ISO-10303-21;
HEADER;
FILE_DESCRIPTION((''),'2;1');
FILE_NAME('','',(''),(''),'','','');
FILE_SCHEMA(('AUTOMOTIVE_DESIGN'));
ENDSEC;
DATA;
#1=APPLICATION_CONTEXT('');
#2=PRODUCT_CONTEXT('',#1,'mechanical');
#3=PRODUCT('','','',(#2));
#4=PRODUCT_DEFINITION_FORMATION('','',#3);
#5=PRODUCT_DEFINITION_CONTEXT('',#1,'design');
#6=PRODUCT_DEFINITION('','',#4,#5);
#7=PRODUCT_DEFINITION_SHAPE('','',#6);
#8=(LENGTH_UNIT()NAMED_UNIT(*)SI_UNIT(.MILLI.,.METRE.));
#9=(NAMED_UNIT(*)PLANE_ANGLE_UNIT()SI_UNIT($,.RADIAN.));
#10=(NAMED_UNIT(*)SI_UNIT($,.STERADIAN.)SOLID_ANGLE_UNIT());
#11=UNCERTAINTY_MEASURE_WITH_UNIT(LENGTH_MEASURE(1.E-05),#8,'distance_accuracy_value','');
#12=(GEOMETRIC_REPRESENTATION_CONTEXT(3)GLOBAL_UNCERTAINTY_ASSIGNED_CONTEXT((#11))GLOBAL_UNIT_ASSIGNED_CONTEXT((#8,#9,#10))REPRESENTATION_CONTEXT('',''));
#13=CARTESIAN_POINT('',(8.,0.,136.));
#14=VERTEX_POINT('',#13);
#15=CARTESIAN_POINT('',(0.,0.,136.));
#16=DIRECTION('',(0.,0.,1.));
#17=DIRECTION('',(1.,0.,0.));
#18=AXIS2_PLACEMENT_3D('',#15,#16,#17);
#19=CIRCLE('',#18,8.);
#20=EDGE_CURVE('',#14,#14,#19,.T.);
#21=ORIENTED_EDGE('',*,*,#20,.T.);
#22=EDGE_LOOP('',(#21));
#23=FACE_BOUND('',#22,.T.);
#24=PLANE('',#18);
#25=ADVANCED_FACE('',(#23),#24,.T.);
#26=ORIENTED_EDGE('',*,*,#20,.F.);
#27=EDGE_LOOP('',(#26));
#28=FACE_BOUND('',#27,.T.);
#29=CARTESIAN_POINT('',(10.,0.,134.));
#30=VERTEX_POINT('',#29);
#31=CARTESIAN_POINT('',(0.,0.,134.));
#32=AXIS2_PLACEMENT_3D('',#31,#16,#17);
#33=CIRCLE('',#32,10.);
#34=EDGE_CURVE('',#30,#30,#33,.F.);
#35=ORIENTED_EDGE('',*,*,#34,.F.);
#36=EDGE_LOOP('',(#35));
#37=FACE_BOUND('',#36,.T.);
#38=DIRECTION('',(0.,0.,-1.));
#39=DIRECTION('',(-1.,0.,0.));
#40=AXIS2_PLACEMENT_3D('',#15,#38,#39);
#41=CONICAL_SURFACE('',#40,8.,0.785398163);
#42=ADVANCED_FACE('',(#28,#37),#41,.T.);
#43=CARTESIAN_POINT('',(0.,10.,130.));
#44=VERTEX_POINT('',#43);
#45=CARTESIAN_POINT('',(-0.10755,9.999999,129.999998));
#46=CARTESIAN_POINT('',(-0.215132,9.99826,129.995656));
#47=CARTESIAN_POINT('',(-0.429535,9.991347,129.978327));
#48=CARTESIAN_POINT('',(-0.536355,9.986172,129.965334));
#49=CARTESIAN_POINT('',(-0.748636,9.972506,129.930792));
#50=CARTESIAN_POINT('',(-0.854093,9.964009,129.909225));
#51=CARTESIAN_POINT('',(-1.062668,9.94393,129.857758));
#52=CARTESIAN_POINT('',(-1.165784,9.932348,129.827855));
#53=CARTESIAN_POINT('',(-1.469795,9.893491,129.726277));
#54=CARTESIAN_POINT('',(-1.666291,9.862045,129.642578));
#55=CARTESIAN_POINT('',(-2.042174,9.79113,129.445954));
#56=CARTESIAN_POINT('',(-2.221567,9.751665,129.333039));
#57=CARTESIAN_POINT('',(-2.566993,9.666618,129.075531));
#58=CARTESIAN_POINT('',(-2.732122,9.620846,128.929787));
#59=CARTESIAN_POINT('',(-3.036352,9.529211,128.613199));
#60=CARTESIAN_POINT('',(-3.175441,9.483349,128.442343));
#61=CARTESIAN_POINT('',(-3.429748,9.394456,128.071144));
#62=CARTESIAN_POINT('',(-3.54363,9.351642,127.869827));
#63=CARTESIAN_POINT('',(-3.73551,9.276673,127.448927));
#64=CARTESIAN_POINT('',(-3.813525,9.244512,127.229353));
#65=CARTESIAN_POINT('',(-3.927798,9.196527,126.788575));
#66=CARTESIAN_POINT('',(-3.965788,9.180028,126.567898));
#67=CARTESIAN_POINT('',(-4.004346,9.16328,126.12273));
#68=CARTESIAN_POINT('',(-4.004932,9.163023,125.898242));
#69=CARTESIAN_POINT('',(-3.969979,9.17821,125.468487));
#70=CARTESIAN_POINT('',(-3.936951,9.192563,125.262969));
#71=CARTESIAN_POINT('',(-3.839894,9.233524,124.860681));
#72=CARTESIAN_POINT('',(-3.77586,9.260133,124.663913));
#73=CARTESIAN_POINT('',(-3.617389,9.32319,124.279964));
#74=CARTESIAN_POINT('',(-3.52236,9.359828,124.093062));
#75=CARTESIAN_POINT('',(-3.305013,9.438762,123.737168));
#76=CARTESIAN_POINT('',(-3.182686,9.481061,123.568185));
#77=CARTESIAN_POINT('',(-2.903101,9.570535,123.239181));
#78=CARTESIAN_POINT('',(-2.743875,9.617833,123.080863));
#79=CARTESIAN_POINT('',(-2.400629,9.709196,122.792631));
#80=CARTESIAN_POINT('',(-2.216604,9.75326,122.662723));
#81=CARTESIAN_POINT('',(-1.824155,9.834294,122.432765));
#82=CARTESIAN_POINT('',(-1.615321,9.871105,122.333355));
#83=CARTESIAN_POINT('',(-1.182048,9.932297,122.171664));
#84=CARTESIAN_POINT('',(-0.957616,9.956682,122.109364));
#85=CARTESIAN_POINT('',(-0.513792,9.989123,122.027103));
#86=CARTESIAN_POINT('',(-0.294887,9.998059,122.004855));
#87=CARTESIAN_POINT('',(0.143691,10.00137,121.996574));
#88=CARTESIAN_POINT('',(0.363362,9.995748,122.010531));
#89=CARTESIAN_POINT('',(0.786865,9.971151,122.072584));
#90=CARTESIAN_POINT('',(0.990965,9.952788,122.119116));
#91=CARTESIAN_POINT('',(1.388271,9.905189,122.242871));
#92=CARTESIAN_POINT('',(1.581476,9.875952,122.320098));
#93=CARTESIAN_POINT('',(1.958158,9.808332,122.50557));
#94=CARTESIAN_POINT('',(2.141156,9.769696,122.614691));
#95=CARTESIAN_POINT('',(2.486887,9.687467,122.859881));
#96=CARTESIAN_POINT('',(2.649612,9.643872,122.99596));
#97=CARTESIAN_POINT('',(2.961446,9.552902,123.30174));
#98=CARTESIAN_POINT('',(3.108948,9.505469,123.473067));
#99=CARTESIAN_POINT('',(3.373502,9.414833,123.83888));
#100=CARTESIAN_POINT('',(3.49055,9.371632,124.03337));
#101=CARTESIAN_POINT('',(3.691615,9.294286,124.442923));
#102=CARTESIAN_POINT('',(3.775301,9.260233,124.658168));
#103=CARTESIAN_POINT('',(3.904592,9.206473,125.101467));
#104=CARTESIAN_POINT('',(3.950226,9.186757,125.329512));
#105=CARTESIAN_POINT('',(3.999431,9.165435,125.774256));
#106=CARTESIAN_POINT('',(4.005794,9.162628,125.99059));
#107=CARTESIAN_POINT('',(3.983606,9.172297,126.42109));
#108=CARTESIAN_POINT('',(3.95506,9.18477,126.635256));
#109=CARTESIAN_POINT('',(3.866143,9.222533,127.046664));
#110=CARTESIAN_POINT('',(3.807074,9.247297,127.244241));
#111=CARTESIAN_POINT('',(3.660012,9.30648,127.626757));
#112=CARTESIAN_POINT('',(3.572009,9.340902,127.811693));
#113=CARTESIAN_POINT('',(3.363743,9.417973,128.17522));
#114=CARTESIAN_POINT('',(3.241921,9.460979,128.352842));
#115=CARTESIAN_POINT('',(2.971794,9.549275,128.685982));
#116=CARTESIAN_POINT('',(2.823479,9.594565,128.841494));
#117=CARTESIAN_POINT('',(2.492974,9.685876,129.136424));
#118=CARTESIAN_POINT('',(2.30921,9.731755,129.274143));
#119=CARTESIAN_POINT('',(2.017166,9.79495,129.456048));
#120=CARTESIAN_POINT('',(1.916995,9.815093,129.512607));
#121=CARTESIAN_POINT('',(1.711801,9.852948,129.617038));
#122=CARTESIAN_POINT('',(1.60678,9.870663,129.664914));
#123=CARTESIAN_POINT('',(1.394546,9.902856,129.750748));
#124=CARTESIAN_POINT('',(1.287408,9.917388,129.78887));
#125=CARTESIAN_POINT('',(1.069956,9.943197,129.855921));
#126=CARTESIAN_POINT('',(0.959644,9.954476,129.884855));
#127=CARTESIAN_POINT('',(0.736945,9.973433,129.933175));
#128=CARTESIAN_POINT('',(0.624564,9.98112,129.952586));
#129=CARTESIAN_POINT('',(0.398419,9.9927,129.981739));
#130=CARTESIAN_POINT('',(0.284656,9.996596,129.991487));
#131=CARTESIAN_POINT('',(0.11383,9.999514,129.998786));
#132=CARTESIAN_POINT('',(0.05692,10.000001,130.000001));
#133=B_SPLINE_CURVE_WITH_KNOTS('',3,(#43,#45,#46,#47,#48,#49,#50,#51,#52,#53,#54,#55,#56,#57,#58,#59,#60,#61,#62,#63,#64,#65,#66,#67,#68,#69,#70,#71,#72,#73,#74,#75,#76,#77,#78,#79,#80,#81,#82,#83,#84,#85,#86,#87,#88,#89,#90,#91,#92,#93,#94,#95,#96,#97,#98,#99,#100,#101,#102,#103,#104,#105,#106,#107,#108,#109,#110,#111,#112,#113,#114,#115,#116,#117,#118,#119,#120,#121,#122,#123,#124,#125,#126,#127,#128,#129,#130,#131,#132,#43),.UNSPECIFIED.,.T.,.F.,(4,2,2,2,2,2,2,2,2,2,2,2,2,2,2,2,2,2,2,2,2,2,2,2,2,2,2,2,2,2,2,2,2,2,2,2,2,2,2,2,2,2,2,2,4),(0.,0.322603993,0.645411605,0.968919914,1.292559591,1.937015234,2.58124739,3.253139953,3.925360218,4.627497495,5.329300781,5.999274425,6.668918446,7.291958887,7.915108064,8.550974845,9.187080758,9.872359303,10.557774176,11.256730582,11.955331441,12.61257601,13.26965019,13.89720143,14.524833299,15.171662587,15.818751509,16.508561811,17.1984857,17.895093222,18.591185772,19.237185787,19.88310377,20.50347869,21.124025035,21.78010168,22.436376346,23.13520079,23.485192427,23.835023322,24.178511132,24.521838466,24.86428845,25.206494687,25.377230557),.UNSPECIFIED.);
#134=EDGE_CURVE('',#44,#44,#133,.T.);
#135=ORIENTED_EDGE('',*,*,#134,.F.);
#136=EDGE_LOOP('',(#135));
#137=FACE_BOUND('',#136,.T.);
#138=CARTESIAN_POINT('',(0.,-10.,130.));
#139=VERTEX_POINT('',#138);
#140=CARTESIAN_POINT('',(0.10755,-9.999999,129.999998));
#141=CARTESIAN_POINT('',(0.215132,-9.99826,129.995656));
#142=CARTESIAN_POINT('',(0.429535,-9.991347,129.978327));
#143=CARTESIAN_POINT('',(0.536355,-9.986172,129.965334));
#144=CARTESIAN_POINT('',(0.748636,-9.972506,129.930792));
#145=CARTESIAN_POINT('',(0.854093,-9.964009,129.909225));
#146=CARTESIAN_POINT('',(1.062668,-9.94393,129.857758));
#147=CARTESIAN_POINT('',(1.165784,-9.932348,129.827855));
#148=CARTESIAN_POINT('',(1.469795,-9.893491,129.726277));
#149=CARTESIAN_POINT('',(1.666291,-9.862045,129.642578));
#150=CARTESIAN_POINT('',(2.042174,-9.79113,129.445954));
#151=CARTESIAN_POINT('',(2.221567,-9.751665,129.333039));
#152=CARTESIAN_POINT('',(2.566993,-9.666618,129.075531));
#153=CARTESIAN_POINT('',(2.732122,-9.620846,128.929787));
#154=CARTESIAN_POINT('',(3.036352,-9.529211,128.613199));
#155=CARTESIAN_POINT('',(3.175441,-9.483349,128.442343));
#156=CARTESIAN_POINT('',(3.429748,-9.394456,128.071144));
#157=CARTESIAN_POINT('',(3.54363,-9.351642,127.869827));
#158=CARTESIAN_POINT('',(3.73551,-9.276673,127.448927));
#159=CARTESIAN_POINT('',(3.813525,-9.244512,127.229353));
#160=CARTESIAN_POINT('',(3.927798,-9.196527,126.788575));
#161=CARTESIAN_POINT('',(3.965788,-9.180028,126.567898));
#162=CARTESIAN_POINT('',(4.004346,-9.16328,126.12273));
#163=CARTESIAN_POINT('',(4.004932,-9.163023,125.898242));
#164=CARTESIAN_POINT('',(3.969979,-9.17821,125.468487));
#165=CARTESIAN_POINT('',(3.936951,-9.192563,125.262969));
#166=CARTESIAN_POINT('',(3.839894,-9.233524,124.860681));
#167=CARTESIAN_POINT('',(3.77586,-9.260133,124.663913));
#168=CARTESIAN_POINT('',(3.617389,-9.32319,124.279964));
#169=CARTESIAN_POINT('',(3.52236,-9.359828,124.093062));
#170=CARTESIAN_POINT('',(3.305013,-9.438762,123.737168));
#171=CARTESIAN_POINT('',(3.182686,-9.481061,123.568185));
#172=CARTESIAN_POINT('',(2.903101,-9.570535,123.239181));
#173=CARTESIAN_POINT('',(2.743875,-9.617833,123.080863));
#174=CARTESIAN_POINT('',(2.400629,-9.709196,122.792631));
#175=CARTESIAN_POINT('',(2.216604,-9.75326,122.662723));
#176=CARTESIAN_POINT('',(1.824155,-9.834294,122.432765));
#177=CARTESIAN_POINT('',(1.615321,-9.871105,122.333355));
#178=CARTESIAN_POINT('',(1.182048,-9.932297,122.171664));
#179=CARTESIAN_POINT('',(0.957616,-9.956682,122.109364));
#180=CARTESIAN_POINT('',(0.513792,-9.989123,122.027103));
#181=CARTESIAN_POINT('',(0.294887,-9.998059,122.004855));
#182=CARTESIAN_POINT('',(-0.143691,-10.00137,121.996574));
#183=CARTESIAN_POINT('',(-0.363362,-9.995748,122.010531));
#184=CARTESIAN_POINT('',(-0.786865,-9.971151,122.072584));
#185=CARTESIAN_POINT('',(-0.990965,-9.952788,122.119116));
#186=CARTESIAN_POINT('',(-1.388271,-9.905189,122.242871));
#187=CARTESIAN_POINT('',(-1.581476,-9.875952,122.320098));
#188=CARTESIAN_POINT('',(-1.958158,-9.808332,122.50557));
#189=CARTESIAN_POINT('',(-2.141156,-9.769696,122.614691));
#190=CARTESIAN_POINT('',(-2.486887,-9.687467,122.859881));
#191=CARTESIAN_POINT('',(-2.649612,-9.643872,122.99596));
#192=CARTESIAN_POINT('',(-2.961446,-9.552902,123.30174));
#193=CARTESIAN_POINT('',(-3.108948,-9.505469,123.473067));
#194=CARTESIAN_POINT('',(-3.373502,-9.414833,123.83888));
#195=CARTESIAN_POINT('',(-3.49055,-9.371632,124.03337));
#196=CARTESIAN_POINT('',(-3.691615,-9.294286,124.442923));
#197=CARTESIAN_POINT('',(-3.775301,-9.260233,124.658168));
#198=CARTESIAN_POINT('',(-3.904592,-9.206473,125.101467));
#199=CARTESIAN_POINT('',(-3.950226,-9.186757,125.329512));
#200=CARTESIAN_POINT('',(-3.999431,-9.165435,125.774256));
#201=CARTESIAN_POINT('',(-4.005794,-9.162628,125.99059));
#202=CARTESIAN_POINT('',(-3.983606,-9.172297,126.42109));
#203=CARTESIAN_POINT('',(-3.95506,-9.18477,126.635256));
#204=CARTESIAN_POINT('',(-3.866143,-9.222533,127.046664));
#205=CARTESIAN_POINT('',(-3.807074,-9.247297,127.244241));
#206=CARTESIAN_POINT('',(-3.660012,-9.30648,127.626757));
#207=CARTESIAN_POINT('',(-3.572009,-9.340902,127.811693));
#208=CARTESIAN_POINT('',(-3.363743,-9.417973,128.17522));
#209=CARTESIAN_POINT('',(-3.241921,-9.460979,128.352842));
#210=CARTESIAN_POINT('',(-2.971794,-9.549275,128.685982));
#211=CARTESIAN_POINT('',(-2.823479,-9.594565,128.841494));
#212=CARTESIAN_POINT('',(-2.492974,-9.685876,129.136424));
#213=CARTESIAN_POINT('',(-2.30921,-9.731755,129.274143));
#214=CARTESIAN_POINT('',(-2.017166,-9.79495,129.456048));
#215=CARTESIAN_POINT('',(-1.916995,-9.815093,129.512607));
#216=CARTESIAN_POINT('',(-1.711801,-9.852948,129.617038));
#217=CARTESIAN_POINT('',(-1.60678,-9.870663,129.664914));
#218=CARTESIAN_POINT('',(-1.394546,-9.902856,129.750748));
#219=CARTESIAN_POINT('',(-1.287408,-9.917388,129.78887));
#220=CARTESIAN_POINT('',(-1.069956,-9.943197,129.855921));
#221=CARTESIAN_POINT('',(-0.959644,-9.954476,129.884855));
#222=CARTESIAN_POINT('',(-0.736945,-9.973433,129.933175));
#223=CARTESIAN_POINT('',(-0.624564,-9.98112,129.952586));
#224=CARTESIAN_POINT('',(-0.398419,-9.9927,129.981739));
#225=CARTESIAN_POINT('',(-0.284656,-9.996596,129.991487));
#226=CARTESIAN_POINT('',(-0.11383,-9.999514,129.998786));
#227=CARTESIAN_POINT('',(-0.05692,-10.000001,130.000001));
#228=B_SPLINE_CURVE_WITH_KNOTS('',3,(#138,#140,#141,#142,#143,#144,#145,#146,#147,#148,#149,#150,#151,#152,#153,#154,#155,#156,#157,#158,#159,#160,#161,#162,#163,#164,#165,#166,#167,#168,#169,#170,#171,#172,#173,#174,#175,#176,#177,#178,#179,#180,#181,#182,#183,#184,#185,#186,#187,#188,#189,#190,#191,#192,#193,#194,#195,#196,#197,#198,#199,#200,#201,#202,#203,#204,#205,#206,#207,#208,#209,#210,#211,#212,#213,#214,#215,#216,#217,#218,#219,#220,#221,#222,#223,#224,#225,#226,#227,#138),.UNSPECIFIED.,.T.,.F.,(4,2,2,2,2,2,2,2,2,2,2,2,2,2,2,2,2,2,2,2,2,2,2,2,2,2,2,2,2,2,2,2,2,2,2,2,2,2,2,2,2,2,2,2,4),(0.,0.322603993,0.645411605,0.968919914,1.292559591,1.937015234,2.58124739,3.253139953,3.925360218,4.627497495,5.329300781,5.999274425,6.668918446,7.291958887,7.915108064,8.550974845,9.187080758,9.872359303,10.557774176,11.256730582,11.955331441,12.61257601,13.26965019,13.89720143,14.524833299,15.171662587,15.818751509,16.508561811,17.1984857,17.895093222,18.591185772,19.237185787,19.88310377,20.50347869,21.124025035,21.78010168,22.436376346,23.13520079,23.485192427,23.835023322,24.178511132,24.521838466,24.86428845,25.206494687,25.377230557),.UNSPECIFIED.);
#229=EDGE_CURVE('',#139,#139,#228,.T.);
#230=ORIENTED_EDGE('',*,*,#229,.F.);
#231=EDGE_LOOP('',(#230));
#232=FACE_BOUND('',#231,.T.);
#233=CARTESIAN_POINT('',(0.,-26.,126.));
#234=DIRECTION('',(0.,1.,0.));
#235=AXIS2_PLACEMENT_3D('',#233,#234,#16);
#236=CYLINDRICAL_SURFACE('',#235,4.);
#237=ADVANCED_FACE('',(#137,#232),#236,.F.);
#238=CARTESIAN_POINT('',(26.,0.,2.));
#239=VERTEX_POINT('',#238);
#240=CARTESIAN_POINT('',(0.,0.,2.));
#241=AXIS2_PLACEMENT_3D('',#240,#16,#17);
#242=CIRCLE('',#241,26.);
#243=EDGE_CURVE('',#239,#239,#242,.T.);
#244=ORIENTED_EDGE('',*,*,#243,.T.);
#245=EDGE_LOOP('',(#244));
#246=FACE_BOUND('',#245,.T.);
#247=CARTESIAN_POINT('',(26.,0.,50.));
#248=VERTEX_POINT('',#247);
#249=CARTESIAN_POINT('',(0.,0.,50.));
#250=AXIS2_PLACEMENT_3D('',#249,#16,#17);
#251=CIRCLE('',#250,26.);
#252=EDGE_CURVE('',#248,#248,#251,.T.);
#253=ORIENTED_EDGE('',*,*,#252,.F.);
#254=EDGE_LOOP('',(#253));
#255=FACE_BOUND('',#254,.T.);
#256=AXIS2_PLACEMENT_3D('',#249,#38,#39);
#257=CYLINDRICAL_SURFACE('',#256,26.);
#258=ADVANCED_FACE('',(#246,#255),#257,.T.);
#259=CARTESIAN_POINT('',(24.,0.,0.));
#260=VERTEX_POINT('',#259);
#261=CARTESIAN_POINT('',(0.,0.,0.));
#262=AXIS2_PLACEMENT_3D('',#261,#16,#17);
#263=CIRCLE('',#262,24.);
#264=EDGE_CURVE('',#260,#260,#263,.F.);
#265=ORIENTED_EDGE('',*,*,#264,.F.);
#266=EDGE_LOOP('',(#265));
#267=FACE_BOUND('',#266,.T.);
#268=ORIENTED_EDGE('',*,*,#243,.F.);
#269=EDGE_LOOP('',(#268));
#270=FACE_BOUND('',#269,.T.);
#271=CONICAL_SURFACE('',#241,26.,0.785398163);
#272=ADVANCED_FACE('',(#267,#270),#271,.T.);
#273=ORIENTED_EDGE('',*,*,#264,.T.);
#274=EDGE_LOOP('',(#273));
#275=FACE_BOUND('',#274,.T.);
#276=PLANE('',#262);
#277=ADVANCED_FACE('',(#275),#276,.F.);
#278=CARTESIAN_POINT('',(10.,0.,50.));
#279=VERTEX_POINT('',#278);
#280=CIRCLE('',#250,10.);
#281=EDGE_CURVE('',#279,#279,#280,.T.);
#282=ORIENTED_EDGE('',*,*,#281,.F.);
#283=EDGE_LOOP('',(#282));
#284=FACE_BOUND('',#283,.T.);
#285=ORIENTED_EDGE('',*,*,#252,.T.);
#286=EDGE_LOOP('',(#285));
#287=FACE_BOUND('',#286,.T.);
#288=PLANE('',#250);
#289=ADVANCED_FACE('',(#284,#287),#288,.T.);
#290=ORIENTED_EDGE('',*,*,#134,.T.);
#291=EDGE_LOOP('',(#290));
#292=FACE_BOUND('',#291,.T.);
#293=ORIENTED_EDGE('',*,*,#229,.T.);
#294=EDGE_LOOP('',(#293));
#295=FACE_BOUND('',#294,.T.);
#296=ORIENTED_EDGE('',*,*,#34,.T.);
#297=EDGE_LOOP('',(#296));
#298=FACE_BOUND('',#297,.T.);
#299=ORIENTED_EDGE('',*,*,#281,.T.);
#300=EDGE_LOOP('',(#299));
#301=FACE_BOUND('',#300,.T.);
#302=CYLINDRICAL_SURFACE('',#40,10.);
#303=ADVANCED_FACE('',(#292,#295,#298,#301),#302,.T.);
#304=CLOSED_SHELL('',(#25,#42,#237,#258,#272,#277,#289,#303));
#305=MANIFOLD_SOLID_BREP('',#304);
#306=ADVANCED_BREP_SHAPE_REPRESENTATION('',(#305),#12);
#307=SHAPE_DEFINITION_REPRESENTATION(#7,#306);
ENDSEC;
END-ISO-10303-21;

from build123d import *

# Parameters (mm, degrees)
SCHIZZO1_R             = 26
ESTRUSIONE1_DEPTH      = 50
SCHIZZO2_R             = 10
ESTRUSIONE2_DEPTH      = 86
SMUSSO1_SIZE           = 2
ESTRUSIONE3_DEPTH      = 141.882930123
ESTRUSIONE3_DEPTH_BACK = 141.882930123
SCHIZZO3_R             = 4
SMUSSO2_SIZE           = 2


with BuildPart() as part:
    # Schizzo1 → Estrusione1 (new body)
    with BuildSketch(Plane.XY):
        Circle(SCHIZZO1_R)
    extrude(amount=ESTRUSIONE1_DEPTH)

    # Schizzo2 → Estrusione2 (add)
    with BuildSketch(Plane.XY.offset(50)):
        Circle(SCHIZZO2_R)
    extrude(amount=ESTRUSIONE2_DEPTH)

    # Smusso1
    smusso1_edges = [part.edges().sort_by_distance(p)[0] for p in [
        (-10, 0, 136),
    ]]
    chamfer(smusso1_edges, length=SMUSSO1_SIZE)

    # Schizzo3 → Estrusione3 (cut, two sides: drawn at the far end of the back side and taken through both)
    with BuildSketch(Plane(origin=(0, 0, 0), x_dir=(1, 0, 0), z_dir=(0, 1, 0)).offset(-ESTRUSIONE3_DEPTH_BACK)):
        with Locations(Location((0, -126, 0), (0, 0, 270))):
            Circle(SCHIZZO3_R)
    extrude(amount=ESTRUSIONE3_DEPTH + ESTRUSIONE3_DEPTH_BACK, mode=Mode.SUBTRACT)

    # Smusso2
    smusso2_edges = [part.edges().sort_by_distance(p)[0] for p in [
        (-26, 0, 0),
    ]]
    chamfer(smusso2_edges, length=SMUSSO2_SIZE)


solid = part.part
